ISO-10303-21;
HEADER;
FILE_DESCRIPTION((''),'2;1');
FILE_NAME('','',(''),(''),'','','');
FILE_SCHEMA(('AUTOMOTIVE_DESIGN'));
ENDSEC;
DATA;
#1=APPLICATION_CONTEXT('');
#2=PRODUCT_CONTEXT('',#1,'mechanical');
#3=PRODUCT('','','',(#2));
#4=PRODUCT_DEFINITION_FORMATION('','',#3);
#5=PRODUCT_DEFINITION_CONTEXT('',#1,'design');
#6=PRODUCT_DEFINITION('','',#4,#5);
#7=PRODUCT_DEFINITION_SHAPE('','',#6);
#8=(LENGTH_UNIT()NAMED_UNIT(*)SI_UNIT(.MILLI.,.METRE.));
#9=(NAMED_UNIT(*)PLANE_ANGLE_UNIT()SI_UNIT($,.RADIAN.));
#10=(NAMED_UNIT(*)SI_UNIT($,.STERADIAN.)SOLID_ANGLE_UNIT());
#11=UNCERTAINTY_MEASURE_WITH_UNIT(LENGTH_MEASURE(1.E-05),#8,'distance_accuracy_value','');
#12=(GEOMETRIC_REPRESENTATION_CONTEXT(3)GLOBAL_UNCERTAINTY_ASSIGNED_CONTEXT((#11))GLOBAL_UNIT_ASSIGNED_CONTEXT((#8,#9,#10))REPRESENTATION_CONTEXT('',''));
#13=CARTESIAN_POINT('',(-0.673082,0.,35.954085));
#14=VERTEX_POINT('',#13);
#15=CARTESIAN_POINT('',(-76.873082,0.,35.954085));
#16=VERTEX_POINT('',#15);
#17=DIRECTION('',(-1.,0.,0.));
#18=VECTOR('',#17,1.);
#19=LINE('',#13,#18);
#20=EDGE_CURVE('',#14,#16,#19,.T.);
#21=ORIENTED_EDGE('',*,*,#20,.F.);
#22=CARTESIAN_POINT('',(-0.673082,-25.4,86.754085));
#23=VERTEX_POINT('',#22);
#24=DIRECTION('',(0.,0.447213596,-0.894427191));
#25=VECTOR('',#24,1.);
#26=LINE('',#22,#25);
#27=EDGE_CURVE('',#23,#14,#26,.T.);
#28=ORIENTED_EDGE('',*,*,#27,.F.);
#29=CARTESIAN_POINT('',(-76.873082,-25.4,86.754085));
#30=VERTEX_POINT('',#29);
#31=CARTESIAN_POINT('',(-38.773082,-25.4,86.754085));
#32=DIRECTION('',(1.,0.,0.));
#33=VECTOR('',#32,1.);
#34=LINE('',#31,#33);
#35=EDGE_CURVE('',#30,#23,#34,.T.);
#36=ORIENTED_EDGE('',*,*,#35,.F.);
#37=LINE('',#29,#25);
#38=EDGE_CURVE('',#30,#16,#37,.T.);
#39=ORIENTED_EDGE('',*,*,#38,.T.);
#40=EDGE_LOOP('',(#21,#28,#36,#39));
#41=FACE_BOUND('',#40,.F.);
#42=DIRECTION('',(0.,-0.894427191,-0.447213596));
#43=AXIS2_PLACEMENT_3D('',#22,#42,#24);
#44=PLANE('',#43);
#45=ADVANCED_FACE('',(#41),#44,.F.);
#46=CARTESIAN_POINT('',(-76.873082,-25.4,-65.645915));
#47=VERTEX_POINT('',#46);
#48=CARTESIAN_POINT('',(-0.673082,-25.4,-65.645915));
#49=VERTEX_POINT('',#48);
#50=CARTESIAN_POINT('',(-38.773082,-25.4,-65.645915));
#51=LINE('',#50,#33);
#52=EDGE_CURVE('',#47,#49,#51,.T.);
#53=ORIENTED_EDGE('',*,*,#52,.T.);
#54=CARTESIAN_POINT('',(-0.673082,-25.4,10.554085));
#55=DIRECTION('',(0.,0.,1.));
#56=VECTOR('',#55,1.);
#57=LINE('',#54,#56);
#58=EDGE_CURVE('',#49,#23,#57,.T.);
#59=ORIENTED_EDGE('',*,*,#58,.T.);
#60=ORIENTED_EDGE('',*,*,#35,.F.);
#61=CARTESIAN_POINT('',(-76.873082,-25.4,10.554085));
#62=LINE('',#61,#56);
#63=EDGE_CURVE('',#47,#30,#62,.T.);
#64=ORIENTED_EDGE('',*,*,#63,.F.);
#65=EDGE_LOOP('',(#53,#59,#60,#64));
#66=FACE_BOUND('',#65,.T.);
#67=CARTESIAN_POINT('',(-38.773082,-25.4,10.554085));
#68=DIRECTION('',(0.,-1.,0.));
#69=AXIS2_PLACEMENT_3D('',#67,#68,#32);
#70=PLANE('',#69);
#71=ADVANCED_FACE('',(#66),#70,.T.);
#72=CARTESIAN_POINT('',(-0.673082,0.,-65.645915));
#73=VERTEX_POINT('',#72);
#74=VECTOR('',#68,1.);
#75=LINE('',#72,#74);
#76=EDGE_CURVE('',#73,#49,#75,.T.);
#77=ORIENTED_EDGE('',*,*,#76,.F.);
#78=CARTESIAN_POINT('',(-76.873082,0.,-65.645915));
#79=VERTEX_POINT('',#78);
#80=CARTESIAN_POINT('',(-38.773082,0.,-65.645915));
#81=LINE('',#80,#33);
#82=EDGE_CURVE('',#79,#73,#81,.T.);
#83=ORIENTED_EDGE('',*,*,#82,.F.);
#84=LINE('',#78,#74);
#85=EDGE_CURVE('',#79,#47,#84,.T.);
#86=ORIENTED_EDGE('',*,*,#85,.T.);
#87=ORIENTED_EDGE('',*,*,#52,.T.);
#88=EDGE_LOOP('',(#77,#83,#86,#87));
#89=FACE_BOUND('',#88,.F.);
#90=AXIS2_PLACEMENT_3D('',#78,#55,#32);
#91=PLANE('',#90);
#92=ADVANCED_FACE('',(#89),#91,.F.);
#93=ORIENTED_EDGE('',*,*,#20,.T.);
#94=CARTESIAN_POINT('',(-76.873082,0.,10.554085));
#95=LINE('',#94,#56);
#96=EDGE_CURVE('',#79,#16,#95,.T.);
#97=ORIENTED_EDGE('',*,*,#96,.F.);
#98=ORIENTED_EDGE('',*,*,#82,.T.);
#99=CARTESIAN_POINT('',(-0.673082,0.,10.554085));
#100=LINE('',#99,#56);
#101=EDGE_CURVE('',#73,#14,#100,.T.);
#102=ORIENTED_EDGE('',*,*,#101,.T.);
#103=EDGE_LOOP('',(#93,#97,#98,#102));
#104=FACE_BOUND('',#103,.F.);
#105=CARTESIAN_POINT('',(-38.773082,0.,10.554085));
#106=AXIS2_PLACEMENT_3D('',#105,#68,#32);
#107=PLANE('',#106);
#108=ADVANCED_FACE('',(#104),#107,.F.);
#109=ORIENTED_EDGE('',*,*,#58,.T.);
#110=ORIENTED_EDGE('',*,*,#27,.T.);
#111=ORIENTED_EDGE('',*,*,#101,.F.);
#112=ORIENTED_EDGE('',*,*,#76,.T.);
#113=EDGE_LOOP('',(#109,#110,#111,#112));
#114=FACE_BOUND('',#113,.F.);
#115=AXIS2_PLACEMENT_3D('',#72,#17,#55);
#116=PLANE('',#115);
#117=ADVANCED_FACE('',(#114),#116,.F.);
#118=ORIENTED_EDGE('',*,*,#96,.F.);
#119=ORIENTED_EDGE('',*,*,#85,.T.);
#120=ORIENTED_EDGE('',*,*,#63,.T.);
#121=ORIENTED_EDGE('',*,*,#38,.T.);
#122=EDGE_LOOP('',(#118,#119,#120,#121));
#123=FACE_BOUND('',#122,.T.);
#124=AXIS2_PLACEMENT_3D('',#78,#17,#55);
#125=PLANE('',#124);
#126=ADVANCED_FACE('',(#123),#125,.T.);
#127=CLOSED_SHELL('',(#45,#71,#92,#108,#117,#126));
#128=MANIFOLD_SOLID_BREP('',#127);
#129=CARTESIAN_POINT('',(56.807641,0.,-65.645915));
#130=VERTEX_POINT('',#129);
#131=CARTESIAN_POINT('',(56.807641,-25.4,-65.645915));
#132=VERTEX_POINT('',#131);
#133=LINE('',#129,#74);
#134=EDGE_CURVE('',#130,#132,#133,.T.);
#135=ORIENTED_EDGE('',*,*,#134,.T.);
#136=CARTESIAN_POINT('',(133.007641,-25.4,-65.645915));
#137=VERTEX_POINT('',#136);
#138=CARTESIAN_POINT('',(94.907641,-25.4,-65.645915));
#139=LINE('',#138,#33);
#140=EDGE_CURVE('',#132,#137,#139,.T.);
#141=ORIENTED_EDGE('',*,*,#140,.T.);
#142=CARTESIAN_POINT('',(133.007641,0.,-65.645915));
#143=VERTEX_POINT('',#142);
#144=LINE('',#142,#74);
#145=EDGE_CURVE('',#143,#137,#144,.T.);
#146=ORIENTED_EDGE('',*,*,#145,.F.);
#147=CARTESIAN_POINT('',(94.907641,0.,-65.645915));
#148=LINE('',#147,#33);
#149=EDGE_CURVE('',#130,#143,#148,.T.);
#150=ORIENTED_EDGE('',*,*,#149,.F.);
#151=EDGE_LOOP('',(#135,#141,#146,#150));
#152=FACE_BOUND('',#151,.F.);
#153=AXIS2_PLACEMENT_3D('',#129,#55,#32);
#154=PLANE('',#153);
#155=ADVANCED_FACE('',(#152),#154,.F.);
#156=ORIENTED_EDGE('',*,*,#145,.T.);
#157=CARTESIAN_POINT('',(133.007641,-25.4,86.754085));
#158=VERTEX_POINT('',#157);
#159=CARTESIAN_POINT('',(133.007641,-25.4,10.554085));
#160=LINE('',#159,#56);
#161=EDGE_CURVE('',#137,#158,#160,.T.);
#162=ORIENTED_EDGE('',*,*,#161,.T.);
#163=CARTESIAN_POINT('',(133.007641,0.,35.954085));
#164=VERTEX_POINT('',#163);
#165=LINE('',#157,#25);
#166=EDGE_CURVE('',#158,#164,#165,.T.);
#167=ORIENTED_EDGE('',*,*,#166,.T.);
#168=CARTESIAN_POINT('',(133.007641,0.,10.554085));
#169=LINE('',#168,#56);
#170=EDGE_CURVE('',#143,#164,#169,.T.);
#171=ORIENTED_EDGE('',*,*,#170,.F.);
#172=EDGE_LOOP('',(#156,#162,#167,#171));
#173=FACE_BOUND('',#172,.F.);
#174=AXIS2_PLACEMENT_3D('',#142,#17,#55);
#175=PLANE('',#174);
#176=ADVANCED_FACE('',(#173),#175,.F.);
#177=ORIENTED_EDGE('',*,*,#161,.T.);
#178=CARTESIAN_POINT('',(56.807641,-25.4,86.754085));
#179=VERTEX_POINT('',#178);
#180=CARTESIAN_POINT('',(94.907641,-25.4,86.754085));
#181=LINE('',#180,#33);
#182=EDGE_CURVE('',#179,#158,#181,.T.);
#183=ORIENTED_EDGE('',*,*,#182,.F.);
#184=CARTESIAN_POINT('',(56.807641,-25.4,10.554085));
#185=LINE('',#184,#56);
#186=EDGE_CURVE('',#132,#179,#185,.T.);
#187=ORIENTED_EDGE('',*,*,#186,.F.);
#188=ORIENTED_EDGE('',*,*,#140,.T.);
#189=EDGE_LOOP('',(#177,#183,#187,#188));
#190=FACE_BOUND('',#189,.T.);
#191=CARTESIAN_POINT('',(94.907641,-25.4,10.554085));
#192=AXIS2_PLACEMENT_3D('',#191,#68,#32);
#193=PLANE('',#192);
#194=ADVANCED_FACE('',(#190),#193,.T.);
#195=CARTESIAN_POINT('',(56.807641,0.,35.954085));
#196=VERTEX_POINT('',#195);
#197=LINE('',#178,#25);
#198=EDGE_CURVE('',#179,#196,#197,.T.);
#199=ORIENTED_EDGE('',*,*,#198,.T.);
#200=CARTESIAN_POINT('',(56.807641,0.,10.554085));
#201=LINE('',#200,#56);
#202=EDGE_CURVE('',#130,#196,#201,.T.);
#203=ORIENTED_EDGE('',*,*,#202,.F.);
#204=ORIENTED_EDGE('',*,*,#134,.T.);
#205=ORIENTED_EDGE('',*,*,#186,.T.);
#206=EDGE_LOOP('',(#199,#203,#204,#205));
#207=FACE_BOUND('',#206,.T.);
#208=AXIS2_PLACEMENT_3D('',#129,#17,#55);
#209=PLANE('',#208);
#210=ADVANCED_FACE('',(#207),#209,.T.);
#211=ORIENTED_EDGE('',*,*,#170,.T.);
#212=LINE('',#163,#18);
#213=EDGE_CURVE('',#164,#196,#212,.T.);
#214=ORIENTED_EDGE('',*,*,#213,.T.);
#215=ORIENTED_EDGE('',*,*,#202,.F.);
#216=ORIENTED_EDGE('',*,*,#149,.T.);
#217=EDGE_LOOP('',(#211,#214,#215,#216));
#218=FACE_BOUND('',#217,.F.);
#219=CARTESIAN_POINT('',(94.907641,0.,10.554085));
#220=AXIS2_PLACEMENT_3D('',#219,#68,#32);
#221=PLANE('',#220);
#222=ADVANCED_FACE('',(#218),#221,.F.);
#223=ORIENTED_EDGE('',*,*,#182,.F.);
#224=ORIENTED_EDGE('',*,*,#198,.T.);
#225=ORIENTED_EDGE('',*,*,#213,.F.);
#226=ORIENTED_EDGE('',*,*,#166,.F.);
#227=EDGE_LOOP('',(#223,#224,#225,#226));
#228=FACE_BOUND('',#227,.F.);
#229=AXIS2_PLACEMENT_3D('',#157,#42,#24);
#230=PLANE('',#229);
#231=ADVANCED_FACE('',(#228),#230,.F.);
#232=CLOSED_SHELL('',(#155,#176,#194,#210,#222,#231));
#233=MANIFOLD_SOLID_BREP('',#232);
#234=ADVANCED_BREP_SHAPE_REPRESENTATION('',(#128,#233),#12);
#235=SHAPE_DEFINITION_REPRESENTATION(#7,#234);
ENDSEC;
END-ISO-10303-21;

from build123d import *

# Parameters (mm, degrees)
F0_W     = 76.2
F0_H     = 152.4
F1_DEPTH = 25.4
F2_DEPTH = 25.4
F4_DEPTH = 76.2
F6_DEPTH = 76.2


with BuildPart() as f1:
    # F0 (on Front) → F1 (new body)
    with BuildSketch(Plane.XZ):
        with Locations((-38.7730817311, 10.5540846902)):
            Rectangle(F0_W, F0_H)
    extrude(amount=F1_DEPTH)

    # F5 (on face) → F6 (cut)
    with BuildSketch(Plane.YZ.offset(-0.6730817311)):
        Polygon((0, 86.7540846902), (-25.4, 86.7540846902), (0, 35.9540846902), align=None)
    extrude(amount=-F6_DEPTH, mode=Mode.SUBTRACT)


with BuildPart() as f2:
    # F0 (on Front) → F2 (new body)
    with BuildSketch(Plane.XZ):
        with Locations((94.90764094, 10.5540846902)):
            Rectangle(F0_W, F0_H)
    extrude(amount=F2_DEPTH)

    # F3 (on face) → F4 (cut)
    with BuildSketch(Plane.YZ.offset(133.00764094)):
        Polygon((0, 86.7540846902), (-25.4, 86.7540846902), (0, 35.9540846902), align=None)
    extrude(amount=-F4_DEPTH, mode=Mode.SUBTRACT)


solid = Compound([f1.part, f2.part])
